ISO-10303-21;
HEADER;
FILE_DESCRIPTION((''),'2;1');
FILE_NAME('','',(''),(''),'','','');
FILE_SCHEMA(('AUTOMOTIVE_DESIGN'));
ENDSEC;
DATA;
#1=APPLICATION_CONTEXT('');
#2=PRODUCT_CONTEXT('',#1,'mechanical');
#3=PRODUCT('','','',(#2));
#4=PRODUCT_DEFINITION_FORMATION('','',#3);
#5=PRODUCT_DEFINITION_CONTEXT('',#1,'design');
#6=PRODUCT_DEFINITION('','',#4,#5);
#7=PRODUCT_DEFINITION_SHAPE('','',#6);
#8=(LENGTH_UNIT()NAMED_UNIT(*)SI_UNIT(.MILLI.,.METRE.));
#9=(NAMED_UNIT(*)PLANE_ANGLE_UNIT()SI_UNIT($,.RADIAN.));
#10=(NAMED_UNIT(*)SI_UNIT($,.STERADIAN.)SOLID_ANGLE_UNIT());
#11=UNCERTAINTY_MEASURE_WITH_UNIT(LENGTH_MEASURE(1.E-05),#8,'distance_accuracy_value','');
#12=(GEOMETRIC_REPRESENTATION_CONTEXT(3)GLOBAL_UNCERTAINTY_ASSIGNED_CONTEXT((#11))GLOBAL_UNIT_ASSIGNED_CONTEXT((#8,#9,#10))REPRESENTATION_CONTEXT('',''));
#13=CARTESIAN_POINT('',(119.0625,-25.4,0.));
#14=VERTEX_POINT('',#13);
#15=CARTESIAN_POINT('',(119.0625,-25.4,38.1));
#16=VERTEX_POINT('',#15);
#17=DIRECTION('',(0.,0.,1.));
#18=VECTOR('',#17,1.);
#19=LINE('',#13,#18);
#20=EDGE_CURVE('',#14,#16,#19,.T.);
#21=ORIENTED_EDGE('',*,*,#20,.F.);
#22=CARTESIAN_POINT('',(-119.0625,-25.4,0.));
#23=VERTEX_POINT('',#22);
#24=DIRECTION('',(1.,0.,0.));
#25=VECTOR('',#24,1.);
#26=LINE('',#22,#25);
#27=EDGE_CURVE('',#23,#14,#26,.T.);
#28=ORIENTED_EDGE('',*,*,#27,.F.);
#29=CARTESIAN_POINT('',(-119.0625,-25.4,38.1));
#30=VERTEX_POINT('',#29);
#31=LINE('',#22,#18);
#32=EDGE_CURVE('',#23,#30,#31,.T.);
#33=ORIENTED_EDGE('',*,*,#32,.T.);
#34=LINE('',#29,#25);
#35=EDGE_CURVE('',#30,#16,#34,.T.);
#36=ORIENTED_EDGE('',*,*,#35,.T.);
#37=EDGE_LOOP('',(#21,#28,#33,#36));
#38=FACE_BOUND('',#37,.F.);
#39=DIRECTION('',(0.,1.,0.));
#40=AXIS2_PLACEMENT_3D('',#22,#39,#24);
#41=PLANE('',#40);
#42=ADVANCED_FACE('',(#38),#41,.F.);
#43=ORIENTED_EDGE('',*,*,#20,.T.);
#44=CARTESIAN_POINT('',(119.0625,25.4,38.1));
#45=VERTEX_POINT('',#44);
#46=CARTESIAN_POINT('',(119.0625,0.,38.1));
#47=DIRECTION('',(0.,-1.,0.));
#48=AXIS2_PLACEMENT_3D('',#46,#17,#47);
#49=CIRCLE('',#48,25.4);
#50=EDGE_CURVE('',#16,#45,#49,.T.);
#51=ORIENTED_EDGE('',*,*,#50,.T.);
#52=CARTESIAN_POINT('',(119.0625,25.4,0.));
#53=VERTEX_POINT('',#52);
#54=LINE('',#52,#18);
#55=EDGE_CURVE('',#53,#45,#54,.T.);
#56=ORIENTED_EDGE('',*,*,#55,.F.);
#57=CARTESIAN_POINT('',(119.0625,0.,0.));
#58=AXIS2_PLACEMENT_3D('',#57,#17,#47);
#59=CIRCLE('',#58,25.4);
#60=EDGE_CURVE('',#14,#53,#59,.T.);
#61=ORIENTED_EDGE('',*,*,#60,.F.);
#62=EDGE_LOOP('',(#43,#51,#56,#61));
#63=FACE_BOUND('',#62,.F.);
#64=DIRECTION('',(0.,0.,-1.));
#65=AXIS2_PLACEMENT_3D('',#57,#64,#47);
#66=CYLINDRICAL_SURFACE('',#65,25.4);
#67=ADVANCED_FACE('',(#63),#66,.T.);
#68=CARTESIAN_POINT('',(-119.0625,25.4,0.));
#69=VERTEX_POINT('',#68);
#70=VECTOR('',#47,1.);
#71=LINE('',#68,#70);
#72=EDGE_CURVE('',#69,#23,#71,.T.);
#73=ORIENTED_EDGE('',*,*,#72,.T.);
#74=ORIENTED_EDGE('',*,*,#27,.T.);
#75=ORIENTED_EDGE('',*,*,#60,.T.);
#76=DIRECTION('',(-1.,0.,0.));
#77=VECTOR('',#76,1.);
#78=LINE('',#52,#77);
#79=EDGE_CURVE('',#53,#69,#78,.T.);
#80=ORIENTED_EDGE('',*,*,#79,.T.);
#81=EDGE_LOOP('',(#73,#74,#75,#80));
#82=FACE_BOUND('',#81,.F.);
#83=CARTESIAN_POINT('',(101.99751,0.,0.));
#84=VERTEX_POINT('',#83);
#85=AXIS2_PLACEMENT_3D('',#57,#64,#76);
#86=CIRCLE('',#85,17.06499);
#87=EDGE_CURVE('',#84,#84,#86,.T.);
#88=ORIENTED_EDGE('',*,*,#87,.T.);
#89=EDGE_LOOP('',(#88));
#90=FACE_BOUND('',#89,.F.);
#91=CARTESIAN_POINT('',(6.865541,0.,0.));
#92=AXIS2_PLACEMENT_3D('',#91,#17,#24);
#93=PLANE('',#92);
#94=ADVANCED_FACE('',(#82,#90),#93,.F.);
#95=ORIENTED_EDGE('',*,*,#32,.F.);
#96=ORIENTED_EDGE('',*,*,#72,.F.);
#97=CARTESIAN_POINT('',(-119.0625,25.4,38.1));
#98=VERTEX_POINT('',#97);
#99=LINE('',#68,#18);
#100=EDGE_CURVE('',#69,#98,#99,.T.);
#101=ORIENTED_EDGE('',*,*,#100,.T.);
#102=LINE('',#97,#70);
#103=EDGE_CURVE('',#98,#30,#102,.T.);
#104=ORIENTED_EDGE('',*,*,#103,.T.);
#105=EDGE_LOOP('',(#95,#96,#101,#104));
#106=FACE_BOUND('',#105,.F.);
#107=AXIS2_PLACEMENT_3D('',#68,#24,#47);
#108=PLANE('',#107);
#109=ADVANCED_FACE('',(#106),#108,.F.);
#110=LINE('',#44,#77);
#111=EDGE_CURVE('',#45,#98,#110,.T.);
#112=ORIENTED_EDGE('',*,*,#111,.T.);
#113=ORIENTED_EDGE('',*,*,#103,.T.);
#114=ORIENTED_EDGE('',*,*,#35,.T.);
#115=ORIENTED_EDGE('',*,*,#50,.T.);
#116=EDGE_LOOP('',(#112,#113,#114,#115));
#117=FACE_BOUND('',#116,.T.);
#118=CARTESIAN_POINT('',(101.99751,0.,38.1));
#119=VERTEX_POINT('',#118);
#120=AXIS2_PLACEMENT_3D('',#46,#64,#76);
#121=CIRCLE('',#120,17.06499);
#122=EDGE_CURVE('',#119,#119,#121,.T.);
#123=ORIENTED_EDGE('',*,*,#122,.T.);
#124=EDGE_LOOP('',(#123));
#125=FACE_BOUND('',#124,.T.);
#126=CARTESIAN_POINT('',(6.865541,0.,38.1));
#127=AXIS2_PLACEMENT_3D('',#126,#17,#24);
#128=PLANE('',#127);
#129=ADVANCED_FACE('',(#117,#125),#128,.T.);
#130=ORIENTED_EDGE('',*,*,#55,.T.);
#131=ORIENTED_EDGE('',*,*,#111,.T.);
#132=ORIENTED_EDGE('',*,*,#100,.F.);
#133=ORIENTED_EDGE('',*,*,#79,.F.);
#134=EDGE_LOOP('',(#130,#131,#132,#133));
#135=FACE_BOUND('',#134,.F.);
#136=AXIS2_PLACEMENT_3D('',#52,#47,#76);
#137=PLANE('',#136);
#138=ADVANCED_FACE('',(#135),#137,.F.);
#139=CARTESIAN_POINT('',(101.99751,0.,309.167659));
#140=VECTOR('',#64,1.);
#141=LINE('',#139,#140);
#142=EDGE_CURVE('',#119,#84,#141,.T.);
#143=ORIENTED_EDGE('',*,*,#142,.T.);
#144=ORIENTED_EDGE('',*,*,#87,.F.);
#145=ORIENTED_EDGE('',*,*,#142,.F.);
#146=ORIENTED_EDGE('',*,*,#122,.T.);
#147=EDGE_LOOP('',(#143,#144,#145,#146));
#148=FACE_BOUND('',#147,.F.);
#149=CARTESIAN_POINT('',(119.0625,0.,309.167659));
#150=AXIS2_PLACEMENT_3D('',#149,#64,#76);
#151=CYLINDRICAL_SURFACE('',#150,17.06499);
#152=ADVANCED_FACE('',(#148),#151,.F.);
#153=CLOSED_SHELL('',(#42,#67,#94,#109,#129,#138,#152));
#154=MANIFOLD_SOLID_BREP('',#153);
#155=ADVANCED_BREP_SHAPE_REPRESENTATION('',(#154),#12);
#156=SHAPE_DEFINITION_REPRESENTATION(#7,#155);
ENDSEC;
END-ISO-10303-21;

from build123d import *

# Parameters (mm, degrees)
F1_DEPTH = 38.1
F3_D     = 34.12998


with BuildPart() as f1:
    # F0 (on Top) → F1 (new body)
    with BuildSketch(Plane.XY):
        with BuildLine():
            ThreePointArc((119.0625, -25.4), (144.4625, 0), (119.0625, 25.4))
            Line((119.0625, 25.4), (-119.0625, 25.4))
            Line((-119.0625, 25.4), (-119.0625, -25.4))
            Line((-119.0625, -25.4), (119.0625, -25.4))
        make_face()
    extrude(amount=F1_DEPTH)

    # F3 (through all)
    with Locations(Plane.XY.offset(38.1)):
        with Locations((119.0625, 0)):
            Hole(F3_D / 2)


solid = f1.part
